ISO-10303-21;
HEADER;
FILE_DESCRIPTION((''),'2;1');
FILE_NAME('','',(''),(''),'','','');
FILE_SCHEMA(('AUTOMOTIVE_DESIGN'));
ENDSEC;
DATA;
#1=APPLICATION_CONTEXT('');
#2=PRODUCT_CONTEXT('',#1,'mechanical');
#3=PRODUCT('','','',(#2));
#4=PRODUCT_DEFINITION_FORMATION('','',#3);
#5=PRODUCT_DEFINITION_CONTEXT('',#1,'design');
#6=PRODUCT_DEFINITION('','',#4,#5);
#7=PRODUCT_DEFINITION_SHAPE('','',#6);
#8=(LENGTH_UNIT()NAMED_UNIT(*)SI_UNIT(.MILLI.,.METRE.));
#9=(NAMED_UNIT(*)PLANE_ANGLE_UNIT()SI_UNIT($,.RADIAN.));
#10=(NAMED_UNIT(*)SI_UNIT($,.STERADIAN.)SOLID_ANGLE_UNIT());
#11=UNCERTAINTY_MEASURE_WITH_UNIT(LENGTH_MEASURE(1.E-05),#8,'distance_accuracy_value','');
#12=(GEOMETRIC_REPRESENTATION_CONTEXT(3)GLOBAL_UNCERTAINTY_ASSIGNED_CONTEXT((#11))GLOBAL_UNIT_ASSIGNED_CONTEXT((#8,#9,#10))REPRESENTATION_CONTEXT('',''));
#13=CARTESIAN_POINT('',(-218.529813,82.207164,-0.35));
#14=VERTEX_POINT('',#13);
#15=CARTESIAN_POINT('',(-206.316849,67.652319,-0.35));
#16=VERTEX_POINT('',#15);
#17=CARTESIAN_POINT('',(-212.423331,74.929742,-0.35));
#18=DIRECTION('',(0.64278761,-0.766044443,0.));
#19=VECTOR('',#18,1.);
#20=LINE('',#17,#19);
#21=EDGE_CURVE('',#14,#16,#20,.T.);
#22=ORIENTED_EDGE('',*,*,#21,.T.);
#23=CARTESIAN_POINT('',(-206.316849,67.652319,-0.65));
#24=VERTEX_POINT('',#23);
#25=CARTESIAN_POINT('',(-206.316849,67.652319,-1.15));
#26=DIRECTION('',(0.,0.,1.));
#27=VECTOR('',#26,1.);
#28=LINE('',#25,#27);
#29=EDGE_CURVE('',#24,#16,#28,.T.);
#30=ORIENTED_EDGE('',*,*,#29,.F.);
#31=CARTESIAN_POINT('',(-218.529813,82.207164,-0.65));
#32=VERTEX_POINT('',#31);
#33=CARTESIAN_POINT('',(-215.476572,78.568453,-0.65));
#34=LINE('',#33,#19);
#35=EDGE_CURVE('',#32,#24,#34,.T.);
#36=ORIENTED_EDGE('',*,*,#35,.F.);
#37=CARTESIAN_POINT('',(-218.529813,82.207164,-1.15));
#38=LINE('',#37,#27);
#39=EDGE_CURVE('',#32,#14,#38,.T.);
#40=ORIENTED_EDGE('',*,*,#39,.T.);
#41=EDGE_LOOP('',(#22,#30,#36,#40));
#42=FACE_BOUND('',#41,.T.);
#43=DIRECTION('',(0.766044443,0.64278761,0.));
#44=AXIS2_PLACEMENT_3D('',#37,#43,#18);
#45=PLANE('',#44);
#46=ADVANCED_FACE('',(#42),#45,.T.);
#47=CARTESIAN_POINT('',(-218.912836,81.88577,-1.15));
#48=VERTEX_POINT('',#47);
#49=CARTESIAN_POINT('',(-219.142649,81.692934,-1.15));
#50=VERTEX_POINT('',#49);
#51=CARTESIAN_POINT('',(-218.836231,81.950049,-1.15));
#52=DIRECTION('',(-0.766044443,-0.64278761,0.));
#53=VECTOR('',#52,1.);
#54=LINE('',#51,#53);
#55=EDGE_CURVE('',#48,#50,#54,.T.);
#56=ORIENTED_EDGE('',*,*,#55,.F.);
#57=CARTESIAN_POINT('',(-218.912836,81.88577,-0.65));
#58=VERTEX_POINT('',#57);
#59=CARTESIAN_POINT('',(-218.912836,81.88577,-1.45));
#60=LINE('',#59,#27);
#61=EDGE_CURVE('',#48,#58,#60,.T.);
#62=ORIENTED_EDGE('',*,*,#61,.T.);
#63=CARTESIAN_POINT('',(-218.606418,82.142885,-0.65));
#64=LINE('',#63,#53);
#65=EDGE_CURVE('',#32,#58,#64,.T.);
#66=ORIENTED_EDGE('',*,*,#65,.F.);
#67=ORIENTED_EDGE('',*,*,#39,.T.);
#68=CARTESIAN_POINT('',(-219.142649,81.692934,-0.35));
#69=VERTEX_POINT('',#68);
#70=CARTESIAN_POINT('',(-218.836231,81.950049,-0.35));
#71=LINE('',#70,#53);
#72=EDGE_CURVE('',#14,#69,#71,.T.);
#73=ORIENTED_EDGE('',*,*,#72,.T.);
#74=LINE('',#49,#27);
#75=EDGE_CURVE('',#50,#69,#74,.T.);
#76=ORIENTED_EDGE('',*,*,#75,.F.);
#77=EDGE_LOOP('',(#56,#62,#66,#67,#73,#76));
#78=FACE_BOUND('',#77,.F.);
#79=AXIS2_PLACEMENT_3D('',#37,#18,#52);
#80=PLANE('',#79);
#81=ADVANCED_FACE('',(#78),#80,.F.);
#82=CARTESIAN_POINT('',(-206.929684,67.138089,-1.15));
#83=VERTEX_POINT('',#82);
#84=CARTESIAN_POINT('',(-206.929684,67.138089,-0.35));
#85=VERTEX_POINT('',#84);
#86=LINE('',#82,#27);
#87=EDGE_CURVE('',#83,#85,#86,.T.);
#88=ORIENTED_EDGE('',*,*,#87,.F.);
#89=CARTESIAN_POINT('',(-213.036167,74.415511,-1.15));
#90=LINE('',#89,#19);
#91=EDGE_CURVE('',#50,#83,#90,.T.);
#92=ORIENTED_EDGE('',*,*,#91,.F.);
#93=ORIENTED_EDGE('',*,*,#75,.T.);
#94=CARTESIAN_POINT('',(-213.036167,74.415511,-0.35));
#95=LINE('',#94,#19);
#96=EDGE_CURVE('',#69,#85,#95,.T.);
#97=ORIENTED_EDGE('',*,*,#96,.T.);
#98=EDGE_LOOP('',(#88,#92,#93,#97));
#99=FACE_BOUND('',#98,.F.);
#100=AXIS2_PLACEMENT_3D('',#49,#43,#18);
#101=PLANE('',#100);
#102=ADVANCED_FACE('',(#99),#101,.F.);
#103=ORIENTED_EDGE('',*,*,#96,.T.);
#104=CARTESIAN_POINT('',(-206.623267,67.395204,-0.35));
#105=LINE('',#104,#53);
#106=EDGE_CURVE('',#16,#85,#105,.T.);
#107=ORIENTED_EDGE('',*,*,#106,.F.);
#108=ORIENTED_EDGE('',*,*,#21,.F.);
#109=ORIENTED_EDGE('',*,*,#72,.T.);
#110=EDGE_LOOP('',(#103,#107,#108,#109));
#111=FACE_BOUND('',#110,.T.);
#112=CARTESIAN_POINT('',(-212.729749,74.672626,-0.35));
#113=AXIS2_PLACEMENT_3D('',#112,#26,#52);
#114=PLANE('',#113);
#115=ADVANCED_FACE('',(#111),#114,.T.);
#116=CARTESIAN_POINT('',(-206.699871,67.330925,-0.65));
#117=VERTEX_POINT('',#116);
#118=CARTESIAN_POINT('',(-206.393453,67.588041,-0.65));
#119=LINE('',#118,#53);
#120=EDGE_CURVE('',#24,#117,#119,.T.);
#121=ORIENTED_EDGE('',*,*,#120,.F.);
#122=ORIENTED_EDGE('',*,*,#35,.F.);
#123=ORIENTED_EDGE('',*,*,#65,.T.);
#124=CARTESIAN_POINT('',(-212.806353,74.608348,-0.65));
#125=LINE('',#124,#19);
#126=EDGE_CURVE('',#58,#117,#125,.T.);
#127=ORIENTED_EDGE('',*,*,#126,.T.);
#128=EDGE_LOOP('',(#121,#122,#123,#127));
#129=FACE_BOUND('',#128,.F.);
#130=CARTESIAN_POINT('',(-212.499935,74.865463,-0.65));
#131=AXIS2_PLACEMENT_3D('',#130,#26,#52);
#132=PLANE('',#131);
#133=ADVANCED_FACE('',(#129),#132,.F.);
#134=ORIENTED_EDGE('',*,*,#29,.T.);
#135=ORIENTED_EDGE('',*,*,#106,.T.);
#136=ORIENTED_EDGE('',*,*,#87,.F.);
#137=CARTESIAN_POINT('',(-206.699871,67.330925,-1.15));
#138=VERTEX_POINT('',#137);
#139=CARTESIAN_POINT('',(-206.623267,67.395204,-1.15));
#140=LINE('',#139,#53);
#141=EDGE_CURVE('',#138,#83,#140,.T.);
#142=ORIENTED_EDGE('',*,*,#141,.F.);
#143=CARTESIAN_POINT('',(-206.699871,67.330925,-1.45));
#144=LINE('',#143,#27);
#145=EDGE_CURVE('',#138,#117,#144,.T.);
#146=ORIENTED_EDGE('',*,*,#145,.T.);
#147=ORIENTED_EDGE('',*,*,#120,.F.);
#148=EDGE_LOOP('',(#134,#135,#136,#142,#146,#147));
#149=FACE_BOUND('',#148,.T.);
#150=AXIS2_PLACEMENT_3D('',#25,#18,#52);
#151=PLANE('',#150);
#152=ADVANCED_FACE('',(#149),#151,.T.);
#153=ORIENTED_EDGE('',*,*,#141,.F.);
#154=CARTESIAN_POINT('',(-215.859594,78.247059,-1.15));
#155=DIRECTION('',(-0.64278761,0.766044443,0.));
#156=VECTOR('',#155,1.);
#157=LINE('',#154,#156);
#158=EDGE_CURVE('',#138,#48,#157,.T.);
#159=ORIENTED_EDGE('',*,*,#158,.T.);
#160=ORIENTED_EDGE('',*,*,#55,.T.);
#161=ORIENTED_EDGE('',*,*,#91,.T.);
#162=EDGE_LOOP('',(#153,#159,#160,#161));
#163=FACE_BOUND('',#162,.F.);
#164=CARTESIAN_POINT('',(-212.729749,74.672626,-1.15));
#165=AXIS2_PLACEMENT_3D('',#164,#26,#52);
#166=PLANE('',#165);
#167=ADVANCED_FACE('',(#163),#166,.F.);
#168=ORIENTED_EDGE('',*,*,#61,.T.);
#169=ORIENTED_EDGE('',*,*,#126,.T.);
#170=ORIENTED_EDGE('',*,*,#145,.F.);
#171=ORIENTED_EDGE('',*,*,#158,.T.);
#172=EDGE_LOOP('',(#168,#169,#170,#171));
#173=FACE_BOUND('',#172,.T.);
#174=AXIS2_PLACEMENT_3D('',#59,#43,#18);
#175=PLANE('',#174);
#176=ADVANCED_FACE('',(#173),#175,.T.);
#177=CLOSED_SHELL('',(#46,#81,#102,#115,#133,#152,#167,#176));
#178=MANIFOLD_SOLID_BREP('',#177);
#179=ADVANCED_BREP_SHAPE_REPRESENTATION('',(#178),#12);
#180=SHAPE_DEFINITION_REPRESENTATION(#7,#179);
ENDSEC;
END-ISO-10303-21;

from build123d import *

# Parameters (mm, degrees)
BOX159_W               = 0.8
BOX159_H               = 19
BOX159_DEPTH           = 0.8
BOX160_W               = 0.8
BOX160_H               = 19
BOX160_DEPTH           = 0.8
CUT083_PLACEMENT_ANGLE = 220


with BuildPart() as cubo159:
    # Box159 → Box159 (new body)
    with BuildSketch(Plane.XY):
        with Locations((0.4, 9.5)):
            Rectangle(BOX159_W, BOX159_H)
    extrude(amount=BOX159_DEPTH)


with BuildPart() as perfil_l_2da_cara025:
    # Box160 → Box160 (new body)
    with BuildSketch(Plane(origin=(0.3, 0, 0.3), x_dir=(1, 0, 0), z_dir=(0, 0, 1))):
        with Locations((0.4, 9.5)):
            Rectangle(BOX160_W, BOX160_H)
    extrude(amount=BOX160_DEPTH)

    # Cut083: cut Cubo159
    add(cubo159.part, mode=Mode.SUBTRACT)


with BuildPart() as perfil_l_2da_cara025_1:
    # Cut083 placement: moved
    add(perfil_l_2da_cara025.part.moved(Location((-218.3, 82.4, -1.45))).rotate(Axis((-218.3, 82.4, -1.45), (0, 0, 1)), CUT083_PLACEMENT_ANGLE))


solid = perfil_l_2da_cara025_1.part
